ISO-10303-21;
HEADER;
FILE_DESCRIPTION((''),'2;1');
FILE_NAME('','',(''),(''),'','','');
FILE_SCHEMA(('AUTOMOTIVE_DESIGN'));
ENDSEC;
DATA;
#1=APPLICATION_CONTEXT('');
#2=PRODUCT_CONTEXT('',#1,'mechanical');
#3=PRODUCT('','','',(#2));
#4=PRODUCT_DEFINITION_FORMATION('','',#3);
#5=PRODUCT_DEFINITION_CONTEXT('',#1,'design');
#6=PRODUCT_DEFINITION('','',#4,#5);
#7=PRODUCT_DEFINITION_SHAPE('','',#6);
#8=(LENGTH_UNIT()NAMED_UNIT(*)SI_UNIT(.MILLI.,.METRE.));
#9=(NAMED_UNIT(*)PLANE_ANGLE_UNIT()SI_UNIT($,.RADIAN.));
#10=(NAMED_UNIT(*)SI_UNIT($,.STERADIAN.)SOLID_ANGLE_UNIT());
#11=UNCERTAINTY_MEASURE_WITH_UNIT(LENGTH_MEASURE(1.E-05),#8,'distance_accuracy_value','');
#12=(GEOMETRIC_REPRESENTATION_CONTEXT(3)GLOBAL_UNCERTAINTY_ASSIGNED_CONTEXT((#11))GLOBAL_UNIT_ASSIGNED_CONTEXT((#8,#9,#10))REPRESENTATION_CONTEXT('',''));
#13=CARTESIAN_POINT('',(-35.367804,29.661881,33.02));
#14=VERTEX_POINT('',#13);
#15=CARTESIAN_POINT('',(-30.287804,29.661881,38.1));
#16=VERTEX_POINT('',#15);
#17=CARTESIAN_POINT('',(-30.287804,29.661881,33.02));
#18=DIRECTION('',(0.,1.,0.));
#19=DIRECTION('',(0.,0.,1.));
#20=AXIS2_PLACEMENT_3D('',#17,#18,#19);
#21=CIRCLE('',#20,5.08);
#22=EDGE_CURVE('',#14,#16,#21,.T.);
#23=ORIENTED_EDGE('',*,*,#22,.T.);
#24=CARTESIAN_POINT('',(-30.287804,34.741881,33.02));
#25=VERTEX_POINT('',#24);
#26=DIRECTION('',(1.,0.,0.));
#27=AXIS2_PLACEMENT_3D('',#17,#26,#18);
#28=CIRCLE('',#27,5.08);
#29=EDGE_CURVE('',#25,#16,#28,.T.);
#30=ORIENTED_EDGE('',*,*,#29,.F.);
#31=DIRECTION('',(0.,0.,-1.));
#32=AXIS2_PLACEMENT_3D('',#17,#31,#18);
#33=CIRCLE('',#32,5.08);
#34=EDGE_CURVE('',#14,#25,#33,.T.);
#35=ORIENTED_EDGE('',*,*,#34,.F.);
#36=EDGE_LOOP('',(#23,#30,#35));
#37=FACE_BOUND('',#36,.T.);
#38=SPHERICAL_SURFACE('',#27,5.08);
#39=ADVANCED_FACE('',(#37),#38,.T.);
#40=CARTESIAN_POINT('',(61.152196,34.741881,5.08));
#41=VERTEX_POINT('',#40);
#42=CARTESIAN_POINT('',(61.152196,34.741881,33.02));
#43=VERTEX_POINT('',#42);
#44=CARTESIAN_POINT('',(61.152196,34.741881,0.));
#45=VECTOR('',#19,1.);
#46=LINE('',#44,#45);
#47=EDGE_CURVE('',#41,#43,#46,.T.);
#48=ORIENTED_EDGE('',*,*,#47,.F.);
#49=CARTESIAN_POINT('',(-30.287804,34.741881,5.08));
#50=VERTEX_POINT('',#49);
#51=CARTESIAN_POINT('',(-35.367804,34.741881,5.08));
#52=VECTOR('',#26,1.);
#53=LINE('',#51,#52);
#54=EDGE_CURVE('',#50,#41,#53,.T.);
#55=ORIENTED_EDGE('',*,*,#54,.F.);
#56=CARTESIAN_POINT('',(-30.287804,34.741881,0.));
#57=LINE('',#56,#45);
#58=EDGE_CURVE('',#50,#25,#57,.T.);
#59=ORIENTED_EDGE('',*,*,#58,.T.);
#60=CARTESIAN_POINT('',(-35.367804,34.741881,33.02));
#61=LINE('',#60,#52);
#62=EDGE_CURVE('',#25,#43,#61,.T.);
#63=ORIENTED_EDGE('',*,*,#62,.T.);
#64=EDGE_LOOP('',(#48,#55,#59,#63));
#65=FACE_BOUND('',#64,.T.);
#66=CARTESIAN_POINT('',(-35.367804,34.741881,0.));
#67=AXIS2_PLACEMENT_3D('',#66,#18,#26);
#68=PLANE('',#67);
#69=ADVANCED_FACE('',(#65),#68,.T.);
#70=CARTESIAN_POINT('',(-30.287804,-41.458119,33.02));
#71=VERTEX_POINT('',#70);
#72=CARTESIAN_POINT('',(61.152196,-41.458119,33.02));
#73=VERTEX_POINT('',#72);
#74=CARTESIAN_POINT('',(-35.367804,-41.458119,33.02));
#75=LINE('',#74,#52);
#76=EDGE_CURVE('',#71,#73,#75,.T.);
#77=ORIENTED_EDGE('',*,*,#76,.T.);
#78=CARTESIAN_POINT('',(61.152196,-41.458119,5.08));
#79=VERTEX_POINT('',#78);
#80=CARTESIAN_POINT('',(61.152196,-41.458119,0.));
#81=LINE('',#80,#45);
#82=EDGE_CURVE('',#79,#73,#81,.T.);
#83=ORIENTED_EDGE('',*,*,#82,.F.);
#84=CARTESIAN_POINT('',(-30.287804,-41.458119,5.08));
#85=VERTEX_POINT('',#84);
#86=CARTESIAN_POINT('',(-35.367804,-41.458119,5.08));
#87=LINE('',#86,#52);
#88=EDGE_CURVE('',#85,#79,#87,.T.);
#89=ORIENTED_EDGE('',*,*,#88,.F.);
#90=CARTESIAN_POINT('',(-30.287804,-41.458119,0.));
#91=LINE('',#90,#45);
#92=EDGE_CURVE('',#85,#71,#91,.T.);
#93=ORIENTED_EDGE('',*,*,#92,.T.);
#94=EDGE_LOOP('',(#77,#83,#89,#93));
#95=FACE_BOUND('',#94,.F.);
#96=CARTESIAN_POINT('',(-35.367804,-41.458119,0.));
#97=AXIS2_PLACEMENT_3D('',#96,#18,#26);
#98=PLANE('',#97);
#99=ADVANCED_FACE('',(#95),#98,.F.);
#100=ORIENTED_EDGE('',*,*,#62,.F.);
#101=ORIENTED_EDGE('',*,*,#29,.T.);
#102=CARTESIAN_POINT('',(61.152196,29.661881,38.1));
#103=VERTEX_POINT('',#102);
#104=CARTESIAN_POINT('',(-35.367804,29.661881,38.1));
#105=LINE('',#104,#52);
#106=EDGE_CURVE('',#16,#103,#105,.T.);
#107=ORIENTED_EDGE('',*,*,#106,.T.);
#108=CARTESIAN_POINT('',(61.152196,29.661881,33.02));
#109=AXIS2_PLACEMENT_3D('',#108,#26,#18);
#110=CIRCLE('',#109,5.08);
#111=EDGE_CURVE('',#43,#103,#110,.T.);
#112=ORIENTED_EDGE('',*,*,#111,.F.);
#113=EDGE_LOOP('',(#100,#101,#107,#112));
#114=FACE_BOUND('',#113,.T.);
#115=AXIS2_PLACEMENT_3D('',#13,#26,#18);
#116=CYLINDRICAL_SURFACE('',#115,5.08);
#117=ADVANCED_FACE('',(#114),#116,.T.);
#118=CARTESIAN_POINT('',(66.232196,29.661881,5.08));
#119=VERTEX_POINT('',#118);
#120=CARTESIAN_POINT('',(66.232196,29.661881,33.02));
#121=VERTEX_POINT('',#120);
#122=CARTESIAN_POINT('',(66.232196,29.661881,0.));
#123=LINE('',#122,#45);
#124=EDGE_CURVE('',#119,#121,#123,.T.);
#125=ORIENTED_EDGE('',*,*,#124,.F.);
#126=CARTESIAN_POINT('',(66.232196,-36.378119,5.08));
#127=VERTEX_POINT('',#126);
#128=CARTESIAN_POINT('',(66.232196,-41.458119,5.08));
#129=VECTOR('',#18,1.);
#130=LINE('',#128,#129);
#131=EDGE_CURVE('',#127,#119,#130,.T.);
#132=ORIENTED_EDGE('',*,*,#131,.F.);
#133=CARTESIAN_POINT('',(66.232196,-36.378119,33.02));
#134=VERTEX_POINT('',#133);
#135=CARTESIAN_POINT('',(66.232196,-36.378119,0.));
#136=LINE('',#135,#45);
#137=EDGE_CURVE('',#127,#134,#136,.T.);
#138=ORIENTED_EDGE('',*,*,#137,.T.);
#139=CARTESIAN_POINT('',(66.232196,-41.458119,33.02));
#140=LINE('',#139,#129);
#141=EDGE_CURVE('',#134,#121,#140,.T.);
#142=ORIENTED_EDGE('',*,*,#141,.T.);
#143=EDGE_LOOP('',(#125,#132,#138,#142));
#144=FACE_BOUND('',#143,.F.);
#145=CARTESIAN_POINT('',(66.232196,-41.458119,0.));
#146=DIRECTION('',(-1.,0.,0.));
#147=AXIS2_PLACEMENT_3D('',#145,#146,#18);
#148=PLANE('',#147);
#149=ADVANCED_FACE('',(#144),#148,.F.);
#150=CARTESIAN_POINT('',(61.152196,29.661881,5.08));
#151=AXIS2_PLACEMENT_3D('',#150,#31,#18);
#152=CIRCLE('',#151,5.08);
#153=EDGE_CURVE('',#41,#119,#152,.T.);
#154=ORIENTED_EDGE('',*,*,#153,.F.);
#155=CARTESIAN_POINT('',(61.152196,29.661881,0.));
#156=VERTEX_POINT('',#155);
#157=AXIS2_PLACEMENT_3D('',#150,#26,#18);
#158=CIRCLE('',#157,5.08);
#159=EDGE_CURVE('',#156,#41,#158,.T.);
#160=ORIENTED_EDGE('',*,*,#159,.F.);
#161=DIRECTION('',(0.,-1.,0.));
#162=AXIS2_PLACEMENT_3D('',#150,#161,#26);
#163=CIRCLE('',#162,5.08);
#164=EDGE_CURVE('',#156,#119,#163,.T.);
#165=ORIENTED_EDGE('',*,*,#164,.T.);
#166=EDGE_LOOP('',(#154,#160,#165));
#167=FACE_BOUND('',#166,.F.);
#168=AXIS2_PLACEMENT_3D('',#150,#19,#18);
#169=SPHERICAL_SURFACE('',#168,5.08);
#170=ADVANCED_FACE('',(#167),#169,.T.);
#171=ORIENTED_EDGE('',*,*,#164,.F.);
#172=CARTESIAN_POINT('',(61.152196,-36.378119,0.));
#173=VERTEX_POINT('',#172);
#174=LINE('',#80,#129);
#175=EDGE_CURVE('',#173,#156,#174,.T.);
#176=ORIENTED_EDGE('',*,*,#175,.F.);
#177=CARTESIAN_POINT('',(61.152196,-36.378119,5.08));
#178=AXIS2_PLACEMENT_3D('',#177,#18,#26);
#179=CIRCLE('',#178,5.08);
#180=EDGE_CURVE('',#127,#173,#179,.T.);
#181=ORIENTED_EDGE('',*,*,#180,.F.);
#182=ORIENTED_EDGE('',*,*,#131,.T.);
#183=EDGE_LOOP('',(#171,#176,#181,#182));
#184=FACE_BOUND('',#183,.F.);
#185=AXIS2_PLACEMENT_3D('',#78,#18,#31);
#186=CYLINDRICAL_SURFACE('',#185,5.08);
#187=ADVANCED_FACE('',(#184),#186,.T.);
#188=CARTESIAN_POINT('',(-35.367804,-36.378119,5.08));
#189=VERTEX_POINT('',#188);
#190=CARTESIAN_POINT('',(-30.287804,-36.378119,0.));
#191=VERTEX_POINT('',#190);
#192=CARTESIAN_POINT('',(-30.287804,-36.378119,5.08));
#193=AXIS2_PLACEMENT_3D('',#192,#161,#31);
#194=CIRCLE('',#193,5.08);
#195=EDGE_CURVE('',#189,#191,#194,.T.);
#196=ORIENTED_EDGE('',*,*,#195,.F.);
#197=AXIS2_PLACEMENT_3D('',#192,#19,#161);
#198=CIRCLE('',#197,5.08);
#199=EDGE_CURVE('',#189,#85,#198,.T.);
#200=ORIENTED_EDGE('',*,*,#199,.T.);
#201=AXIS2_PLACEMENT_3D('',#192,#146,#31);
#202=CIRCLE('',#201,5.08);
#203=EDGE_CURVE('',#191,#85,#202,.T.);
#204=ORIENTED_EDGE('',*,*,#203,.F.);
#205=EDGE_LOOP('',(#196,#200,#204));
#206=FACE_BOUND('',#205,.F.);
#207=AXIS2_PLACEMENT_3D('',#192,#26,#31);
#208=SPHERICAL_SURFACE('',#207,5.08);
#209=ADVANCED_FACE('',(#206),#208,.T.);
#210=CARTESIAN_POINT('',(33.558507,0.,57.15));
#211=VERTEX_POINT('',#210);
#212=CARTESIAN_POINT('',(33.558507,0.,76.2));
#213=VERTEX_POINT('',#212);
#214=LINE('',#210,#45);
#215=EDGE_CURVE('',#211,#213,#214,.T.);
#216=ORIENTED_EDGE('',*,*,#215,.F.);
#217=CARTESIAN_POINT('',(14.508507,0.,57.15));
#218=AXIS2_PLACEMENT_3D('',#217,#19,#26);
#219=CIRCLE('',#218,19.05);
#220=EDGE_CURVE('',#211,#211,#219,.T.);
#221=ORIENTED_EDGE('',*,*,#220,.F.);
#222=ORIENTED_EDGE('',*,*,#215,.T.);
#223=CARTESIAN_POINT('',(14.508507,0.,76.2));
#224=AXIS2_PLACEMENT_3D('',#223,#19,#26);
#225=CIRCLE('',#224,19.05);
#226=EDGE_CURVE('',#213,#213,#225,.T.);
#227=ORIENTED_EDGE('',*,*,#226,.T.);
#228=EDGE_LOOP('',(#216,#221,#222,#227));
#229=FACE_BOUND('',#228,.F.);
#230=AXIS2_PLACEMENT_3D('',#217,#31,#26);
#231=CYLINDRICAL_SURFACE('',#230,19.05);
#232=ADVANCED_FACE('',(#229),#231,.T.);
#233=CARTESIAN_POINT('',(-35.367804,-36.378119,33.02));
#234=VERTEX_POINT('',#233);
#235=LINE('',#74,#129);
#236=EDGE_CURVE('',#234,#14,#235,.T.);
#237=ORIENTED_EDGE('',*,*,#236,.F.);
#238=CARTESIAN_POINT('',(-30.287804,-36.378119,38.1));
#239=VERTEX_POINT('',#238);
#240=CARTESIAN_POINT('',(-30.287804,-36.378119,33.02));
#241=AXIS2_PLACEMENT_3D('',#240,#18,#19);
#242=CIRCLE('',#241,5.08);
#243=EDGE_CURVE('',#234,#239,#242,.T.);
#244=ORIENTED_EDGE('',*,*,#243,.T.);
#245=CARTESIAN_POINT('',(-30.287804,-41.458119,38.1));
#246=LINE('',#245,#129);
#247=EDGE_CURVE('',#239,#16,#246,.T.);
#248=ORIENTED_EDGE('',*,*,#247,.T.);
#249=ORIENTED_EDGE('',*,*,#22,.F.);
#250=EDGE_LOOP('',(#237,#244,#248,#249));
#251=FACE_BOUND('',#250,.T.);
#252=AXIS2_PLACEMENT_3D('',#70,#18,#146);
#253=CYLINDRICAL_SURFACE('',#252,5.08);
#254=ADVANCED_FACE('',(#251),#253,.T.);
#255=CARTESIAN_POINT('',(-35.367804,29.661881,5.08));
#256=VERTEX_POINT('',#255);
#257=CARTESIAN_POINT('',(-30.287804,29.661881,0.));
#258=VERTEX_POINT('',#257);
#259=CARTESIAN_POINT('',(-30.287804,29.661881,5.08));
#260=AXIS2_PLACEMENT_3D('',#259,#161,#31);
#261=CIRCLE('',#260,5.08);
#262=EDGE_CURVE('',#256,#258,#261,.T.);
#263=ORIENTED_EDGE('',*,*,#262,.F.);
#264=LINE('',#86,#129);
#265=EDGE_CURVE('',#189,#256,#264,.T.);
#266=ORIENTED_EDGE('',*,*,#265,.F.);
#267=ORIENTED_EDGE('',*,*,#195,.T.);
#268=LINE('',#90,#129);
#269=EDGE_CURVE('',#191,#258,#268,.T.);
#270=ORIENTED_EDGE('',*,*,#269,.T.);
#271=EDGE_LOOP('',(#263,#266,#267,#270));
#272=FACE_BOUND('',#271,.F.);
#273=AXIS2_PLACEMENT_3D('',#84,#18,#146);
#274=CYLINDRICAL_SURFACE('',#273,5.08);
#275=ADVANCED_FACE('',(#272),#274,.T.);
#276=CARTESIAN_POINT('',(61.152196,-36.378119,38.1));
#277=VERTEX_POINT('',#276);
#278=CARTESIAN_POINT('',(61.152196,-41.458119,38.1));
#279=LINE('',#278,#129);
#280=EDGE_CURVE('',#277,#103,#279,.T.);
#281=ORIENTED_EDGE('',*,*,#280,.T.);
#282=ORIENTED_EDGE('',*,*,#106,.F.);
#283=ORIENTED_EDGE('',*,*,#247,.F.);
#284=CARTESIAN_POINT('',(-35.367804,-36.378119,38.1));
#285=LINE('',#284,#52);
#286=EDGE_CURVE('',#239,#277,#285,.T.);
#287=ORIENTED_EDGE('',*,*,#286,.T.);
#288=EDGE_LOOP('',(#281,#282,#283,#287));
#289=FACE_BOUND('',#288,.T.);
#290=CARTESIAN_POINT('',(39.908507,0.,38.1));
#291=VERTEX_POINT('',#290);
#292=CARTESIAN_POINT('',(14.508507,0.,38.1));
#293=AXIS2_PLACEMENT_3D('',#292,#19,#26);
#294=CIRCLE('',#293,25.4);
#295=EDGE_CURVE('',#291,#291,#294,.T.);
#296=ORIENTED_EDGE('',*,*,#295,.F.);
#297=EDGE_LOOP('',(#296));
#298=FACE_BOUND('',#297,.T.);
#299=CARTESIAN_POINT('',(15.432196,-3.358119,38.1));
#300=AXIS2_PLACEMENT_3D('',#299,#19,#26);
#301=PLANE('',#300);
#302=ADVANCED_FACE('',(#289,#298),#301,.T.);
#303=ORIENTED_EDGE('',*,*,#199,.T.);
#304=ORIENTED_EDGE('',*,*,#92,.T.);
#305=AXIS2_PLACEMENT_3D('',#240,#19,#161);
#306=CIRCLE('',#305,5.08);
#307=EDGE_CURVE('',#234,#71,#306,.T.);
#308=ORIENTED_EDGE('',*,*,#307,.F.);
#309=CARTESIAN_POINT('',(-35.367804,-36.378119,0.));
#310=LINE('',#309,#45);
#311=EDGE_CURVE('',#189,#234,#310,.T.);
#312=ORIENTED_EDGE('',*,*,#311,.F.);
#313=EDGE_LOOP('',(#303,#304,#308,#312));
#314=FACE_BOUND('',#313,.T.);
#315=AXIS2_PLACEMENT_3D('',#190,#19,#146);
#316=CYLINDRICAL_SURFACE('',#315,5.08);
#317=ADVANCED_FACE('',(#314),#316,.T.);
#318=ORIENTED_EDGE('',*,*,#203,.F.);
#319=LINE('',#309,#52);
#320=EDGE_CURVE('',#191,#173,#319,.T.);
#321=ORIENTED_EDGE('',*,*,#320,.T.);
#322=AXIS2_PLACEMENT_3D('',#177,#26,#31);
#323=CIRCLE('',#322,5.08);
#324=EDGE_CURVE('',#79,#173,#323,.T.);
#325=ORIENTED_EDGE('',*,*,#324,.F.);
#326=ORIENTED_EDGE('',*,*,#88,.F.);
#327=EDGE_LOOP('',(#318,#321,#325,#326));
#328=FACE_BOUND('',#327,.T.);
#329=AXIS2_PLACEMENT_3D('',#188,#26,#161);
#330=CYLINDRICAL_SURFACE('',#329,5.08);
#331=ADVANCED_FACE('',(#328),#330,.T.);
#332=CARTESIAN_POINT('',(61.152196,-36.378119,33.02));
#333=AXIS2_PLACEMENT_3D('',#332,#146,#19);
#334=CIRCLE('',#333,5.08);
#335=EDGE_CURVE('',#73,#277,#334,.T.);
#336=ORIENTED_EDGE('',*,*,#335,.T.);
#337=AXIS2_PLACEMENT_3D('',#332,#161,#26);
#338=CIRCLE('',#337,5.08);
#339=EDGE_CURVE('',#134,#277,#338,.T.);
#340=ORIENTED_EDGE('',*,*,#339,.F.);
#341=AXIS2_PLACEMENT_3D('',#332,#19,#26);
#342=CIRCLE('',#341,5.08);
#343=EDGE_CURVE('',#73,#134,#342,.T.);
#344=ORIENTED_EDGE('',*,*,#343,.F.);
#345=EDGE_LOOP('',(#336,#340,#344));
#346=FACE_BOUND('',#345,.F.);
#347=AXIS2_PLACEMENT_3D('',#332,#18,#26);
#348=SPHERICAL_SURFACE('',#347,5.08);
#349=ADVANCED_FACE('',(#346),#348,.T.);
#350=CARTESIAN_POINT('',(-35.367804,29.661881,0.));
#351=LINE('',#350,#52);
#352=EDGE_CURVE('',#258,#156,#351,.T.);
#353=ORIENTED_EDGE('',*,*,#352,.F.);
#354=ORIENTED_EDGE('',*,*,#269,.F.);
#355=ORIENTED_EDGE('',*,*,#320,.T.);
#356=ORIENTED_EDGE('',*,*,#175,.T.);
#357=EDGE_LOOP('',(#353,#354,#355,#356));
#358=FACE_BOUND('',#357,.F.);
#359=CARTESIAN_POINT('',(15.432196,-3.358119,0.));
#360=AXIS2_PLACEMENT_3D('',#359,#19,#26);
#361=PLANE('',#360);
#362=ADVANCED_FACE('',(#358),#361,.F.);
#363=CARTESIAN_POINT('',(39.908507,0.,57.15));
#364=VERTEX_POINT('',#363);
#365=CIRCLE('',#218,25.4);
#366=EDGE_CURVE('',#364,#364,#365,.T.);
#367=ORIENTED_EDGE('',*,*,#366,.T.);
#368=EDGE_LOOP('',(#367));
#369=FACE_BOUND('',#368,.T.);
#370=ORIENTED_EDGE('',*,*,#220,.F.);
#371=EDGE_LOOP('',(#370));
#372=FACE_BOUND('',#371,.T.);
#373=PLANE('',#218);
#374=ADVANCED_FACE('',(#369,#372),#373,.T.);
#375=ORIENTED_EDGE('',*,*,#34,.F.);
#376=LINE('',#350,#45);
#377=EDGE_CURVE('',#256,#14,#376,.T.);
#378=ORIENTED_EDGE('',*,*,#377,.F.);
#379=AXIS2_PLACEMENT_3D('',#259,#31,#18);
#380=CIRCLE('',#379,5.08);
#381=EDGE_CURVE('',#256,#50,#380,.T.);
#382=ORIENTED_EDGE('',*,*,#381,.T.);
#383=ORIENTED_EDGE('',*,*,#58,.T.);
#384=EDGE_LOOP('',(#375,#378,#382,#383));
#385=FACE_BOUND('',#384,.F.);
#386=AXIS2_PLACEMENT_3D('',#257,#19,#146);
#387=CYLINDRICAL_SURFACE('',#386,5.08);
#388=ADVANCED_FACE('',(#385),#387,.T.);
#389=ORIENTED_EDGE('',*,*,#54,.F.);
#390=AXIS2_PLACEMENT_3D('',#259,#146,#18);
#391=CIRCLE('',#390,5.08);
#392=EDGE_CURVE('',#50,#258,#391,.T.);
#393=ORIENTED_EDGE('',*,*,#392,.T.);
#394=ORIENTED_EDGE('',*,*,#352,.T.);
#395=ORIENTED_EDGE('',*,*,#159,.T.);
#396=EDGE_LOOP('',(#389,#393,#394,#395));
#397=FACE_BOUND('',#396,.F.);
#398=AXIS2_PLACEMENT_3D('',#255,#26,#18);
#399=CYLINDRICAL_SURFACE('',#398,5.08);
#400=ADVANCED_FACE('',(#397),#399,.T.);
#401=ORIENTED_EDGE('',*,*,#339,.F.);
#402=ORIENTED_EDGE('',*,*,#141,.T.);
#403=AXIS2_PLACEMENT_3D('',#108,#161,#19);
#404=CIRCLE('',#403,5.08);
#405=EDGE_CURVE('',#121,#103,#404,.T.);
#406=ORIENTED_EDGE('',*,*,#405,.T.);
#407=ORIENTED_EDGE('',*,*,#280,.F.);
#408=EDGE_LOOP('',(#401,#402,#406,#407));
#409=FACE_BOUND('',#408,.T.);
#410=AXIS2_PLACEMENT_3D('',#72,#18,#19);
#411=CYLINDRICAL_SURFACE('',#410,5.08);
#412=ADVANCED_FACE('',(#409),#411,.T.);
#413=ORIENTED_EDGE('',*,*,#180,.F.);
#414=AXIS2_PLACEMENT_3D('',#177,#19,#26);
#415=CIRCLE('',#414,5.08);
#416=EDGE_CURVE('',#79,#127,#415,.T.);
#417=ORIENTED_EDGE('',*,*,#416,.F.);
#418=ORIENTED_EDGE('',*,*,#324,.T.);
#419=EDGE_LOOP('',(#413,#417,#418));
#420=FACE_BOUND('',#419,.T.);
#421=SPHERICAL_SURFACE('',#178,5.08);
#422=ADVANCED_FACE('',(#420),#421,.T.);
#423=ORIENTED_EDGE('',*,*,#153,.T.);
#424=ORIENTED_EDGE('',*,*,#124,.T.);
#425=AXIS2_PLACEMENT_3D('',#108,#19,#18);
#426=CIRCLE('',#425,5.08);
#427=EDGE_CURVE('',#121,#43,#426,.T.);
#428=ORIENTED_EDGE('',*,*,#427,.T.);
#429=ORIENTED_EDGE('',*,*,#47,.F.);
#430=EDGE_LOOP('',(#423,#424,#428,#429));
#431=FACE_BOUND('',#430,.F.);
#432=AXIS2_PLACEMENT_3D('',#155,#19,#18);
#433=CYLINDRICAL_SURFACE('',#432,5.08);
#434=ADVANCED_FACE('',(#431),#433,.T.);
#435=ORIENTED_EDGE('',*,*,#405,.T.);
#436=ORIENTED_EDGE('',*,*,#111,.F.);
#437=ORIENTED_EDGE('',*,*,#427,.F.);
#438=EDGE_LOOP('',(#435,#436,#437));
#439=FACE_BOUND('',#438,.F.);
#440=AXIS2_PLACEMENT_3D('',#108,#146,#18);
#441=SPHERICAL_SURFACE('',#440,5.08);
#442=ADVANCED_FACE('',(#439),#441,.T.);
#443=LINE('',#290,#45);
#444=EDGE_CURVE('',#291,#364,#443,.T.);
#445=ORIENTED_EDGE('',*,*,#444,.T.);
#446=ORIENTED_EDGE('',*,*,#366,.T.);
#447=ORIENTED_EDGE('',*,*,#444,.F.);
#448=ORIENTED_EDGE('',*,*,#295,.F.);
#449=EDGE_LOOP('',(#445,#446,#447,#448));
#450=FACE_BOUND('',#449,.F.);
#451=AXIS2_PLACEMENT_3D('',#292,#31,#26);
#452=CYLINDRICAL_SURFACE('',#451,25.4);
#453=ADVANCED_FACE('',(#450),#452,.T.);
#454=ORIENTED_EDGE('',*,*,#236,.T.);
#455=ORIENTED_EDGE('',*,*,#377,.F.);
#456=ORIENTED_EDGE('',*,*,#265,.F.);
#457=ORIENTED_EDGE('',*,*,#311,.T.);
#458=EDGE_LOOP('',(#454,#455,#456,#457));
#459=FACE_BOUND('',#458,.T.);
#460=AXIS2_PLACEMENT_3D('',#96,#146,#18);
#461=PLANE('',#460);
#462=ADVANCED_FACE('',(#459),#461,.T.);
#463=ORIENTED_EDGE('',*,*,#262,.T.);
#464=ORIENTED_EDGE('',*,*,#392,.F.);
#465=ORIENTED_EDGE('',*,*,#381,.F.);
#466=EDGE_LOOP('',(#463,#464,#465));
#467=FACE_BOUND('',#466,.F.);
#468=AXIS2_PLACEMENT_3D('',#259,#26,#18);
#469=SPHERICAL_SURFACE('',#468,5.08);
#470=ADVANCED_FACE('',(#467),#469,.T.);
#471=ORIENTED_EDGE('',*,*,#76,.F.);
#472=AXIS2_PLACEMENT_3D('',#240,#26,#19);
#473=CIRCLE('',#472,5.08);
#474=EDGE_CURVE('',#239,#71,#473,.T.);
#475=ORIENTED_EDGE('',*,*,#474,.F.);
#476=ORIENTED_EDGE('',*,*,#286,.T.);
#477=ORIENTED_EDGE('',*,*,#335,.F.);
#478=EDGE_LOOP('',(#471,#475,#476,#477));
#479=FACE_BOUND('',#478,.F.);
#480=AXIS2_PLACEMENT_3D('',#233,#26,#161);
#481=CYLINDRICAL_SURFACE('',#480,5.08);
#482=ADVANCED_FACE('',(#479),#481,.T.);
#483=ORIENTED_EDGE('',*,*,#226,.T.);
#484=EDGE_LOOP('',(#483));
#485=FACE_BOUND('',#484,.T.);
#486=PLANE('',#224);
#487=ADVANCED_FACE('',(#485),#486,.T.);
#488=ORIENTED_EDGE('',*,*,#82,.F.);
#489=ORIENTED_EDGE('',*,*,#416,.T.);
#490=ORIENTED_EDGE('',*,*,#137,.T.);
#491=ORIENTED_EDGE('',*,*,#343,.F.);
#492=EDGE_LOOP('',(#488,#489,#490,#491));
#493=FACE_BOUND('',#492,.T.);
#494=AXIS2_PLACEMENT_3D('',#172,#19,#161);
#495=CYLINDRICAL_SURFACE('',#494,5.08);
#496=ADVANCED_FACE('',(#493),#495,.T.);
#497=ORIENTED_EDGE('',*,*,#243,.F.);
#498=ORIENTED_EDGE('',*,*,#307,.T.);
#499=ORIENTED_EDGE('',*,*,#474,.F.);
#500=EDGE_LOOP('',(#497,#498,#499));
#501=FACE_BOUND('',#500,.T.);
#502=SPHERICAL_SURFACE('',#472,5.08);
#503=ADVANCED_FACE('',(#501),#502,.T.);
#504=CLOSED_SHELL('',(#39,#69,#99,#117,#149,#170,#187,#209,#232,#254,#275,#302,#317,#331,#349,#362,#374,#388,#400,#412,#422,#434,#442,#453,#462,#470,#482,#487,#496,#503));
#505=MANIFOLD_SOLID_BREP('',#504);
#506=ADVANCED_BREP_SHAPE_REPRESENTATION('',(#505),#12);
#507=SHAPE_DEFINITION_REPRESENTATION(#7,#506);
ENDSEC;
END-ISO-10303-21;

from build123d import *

# Parameters (mm, degrees)
F0_W     = 101.6
F0_H     = 76.2
F1_DEPTH = 38.1
F2_R     = 25.4
F3_DEPTH = 19.05
F4_R     = 19.05
F5_DEPTH = 19.05
F6_R     = 5.08


with BuildPart() as f1:
    # F0 (on Top) → F1 (new body)
    with BuildSketch(Plane.XY):
        with Locations((15.432196, -3.358119)):
            Rectangle(F0_W, F0_H)
    extrude(amount=F1_DEPTH)

    # F2 (on face) → F3 (join)
    with BuildSketch(Plane.XY.offset(38.1)):
        with Locations((14.508507, 0)):
            Circle(F2_R)
    extrude(amount=F3_DEPTH)

    # F4 (on face) → F5 (join)
    with BuildSketch(Plane.XY.offset(57.15)):
        with Locations((14.508507, 0)):
            Circle(F4_R)
    extrude(amount=F5_DEPTH)

    # F6
    f6_edges = [f1.edges().sort_by_distance(p)[0] for p in [
        (15.432196, 34.741881, 38.1),
        (66.232196, 34.741881, 19.05),
        (15.432196, 34.741881, 0),
        (-35.367804, 34.741881, 19.05),
        (66.232196, -3.358119, 38.1),
        (66.232196, -3.358119, 0),
        (66.232196, -41.458119, 19.05),
        (15.432196, -41.458119, 38.1),
        (-35.367804, -3.358119, 38.1),
        (15.432196, -41.458119, 0),
        (-35.367804, -3.358119, 0),
        (-35.367804, -41.458119, 19.05),
    ]]
    fillet(f6_edges, radius=F6_R)


solid = f1.part
